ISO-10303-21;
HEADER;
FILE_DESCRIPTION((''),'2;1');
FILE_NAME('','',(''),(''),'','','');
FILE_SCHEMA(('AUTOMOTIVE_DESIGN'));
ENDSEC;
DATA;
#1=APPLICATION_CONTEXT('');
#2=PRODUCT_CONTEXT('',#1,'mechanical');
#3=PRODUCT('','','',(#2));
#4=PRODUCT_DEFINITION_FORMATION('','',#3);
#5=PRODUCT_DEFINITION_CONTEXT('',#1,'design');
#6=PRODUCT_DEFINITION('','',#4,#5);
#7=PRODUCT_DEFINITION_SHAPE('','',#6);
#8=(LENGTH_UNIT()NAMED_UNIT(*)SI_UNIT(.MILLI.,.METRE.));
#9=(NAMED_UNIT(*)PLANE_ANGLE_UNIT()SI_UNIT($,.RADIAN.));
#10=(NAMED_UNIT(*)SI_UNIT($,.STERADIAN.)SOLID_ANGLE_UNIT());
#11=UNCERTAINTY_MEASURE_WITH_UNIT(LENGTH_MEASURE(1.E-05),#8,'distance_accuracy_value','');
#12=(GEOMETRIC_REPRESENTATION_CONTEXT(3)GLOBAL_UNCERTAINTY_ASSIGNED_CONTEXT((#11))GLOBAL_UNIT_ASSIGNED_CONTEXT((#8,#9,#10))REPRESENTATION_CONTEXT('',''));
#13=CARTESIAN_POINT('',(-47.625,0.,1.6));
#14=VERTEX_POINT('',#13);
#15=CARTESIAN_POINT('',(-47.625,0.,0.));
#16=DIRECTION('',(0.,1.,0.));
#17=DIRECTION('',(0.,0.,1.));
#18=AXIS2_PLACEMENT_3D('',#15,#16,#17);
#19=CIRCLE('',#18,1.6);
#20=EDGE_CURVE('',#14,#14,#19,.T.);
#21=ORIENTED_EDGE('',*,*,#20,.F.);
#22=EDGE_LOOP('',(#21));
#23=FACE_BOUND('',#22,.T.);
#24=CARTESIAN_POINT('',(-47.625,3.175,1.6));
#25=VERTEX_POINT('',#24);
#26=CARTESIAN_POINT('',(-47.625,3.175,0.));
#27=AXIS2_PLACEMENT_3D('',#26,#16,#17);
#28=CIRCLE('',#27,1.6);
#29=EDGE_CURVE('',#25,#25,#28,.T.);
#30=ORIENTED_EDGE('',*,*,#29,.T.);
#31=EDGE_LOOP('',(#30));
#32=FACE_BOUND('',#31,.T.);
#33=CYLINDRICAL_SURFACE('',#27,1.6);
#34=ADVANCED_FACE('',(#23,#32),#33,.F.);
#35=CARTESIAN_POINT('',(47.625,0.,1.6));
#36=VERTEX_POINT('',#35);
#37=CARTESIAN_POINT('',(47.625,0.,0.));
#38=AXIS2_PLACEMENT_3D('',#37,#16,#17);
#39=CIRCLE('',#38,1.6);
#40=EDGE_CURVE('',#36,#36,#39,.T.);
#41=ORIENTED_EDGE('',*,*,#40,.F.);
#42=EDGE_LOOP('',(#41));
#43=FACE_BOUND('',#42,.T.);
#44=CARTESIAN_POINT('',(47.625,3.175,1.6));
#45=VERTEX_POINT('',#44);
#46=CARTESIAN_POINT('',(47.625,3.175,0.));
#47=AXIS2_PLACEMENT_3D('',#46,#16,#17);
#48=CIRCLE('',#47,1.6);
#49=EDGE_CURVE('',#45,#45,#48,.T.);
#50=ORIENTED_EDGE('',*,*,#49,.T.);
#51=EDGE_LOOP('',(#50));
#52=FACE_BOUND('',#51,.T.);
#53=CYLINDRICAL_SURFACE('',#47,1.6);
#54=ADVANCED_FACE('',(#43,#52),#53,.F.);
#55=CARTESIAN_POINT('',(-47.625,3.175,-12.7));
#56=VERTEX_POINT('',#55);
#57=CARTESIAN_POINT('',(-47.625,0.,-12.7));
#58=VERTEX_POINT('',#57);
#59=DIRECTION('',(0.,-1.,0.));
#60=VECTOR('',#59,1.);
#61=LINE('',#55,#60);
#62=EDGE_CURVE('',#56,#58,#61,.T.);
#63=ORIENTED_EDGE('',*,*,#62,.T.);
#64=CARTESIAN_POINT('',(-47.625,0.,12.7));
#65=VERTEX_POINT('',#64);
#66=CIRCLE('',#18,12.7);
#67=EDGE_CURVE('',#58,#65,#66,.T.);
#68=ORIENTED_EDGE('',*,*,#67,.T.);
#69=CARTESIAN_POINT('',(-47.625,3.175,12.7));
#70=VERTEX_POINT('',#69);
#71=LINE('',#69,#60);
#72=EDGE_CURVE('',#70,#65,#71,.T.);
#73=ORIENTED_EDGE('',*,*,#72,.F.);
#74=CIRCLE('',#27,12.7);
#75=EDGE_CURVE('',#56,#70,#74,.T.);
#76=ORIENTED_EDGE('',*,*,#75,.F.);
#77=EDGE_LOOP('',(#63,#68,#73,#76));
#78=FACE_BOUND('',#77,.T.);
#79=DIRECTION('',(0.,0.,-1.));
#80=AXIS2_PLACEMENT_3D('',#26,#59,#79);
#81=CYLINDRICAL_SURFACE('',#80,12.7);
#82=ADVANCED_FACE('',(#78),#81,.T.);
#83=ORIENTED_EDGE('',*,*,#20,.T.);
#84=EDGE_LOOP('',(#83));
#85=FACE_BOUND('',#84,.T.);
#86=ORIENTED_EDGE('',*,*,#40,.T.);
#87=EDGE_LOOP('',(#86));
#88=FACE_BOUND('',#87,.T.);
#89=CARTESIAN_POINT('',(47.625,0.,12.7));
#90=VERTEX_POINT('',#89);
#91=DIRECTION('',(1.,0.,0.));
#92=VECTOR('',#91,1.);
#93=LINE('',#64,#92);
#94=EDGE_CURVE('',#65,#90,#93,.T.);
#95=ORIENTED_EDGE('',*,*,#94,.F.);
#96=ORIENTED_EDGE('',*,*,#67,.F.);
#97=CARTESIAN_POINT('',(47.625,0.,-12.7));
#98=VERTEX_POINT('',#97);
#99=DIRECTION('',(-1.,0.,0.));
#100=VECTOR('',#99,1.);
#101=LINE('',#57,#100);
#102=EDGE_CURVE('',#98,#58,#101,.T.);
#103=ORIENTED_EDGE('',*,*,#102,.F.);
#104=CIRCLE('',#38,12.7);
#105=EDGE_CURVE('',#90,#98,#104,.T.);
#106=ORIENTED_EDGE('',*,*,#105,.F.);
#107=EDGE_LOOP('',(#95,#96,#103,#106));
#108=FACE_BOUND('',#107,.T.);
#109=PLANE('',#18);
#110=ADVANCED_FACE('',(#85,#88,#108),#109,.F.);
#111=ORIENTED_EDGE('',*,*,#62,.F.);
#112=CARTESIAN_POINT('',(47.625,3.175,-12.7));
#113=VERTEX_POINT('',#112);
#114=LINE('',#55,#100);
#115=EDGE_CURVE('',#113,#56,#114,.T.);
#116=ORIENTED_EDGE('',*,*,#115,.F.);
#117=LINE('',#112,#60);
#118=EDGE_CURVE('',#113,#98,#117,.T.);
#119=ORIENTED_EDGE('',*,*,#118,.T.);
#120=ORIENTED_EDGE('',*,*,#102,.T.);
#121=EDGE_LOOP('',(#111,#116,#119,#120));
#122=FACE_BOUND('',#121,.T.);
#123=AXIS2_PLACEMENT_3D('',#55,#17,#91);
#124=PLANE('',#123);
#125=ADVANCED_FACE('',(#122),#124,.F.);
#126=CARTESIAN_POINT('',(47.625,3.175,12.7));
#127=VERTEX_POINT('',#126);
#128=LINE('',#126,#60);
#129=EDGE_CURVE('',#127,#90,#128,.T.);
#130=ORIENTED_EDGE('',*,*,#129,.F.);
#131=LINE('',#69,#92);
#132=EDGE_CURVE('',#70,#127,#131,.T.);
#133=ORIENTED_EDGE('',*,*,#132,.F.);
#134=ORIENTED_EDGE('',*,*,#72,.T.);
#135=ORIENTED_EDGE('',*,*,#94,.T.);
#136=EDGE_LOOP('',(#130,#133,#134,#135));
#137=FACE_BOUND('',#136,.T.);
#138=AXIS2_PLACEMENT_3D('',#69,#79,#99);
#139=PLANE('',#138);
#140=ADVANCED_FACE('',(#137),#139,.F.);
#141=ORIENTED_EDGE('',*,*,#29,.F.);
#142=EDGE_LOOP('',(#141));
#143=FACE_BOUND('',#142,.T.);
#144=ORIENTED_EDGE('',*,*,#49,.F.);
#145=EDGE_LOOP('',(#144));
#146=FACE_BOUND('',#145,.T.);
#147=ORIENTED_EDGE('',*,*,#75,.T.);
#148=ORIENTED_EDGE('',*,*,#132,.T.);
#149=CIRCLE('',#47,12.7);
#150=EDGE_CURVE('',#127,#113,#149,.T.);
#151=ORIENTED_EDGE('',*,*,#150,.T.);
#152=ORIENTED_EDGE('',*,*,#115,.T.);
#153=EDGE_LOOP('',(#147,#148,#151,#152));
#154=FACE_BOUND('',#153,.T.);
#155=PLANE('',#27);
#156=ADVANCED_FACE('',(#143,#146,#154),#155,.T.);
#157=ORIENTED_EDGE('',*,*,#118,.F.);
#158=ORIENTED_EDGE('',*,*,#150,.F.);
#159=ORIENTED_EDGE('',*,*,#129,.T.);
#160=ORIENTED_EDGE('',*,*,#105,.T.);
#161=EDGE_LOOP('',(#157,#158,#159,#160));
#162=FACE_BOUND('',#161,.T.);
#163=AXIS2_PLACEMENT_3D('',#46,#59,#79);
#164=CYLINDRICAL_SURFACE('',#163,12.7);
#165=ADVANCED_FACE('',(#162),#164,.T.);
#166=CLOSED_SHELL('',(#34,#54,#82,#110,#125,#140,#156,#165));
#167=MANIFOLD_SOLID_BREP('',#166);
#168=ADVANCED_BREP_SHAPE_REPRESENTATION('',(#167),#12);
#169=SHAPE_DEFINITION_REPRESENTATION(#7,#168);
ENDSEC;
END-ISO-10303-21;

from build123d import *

# Parameters (mm, degrees)
BOSS_EXTRUDE1_DEPTH  = 3.175
M3_CLEARANCE_HOLE1_D = 3.2


with BuildPart() as part:
    # Sketch1 → Boss-Extrude1 (new body)
    with BuildSketch(Plane(origin=(0, 0, 0), x_dir=(1, 0, 0), z_dir=(0, 1, 0))):
        with BuildLine():
            Line((-47.625, 12.7), (47.625, 12.7))
            ThreePointArc((47.625, 12.7), (60.325, 0), (47.625, -12.7))
            Line((47.625, -12.7), (-47.625, -12.7))
            ThreePointArc((-47.625, -12.7), (-60.325, 0), (-47.625, 12.7))
        make_face()
    extrude(amount=BOSS_EXTRUDE1_DEPTH)

    # M3 Clearance Hole1 (through all)
    with Locations(Plane(origin=(0, 3.175, 0), x_dir=(1, 0, 0), z_dir=(0, 1, 0))):
        with Locations((-47.625, 0), (47.625, 0)):
            Hole(M3_CLEARANCE_HOLE1_D / 2)


solid = part.part
